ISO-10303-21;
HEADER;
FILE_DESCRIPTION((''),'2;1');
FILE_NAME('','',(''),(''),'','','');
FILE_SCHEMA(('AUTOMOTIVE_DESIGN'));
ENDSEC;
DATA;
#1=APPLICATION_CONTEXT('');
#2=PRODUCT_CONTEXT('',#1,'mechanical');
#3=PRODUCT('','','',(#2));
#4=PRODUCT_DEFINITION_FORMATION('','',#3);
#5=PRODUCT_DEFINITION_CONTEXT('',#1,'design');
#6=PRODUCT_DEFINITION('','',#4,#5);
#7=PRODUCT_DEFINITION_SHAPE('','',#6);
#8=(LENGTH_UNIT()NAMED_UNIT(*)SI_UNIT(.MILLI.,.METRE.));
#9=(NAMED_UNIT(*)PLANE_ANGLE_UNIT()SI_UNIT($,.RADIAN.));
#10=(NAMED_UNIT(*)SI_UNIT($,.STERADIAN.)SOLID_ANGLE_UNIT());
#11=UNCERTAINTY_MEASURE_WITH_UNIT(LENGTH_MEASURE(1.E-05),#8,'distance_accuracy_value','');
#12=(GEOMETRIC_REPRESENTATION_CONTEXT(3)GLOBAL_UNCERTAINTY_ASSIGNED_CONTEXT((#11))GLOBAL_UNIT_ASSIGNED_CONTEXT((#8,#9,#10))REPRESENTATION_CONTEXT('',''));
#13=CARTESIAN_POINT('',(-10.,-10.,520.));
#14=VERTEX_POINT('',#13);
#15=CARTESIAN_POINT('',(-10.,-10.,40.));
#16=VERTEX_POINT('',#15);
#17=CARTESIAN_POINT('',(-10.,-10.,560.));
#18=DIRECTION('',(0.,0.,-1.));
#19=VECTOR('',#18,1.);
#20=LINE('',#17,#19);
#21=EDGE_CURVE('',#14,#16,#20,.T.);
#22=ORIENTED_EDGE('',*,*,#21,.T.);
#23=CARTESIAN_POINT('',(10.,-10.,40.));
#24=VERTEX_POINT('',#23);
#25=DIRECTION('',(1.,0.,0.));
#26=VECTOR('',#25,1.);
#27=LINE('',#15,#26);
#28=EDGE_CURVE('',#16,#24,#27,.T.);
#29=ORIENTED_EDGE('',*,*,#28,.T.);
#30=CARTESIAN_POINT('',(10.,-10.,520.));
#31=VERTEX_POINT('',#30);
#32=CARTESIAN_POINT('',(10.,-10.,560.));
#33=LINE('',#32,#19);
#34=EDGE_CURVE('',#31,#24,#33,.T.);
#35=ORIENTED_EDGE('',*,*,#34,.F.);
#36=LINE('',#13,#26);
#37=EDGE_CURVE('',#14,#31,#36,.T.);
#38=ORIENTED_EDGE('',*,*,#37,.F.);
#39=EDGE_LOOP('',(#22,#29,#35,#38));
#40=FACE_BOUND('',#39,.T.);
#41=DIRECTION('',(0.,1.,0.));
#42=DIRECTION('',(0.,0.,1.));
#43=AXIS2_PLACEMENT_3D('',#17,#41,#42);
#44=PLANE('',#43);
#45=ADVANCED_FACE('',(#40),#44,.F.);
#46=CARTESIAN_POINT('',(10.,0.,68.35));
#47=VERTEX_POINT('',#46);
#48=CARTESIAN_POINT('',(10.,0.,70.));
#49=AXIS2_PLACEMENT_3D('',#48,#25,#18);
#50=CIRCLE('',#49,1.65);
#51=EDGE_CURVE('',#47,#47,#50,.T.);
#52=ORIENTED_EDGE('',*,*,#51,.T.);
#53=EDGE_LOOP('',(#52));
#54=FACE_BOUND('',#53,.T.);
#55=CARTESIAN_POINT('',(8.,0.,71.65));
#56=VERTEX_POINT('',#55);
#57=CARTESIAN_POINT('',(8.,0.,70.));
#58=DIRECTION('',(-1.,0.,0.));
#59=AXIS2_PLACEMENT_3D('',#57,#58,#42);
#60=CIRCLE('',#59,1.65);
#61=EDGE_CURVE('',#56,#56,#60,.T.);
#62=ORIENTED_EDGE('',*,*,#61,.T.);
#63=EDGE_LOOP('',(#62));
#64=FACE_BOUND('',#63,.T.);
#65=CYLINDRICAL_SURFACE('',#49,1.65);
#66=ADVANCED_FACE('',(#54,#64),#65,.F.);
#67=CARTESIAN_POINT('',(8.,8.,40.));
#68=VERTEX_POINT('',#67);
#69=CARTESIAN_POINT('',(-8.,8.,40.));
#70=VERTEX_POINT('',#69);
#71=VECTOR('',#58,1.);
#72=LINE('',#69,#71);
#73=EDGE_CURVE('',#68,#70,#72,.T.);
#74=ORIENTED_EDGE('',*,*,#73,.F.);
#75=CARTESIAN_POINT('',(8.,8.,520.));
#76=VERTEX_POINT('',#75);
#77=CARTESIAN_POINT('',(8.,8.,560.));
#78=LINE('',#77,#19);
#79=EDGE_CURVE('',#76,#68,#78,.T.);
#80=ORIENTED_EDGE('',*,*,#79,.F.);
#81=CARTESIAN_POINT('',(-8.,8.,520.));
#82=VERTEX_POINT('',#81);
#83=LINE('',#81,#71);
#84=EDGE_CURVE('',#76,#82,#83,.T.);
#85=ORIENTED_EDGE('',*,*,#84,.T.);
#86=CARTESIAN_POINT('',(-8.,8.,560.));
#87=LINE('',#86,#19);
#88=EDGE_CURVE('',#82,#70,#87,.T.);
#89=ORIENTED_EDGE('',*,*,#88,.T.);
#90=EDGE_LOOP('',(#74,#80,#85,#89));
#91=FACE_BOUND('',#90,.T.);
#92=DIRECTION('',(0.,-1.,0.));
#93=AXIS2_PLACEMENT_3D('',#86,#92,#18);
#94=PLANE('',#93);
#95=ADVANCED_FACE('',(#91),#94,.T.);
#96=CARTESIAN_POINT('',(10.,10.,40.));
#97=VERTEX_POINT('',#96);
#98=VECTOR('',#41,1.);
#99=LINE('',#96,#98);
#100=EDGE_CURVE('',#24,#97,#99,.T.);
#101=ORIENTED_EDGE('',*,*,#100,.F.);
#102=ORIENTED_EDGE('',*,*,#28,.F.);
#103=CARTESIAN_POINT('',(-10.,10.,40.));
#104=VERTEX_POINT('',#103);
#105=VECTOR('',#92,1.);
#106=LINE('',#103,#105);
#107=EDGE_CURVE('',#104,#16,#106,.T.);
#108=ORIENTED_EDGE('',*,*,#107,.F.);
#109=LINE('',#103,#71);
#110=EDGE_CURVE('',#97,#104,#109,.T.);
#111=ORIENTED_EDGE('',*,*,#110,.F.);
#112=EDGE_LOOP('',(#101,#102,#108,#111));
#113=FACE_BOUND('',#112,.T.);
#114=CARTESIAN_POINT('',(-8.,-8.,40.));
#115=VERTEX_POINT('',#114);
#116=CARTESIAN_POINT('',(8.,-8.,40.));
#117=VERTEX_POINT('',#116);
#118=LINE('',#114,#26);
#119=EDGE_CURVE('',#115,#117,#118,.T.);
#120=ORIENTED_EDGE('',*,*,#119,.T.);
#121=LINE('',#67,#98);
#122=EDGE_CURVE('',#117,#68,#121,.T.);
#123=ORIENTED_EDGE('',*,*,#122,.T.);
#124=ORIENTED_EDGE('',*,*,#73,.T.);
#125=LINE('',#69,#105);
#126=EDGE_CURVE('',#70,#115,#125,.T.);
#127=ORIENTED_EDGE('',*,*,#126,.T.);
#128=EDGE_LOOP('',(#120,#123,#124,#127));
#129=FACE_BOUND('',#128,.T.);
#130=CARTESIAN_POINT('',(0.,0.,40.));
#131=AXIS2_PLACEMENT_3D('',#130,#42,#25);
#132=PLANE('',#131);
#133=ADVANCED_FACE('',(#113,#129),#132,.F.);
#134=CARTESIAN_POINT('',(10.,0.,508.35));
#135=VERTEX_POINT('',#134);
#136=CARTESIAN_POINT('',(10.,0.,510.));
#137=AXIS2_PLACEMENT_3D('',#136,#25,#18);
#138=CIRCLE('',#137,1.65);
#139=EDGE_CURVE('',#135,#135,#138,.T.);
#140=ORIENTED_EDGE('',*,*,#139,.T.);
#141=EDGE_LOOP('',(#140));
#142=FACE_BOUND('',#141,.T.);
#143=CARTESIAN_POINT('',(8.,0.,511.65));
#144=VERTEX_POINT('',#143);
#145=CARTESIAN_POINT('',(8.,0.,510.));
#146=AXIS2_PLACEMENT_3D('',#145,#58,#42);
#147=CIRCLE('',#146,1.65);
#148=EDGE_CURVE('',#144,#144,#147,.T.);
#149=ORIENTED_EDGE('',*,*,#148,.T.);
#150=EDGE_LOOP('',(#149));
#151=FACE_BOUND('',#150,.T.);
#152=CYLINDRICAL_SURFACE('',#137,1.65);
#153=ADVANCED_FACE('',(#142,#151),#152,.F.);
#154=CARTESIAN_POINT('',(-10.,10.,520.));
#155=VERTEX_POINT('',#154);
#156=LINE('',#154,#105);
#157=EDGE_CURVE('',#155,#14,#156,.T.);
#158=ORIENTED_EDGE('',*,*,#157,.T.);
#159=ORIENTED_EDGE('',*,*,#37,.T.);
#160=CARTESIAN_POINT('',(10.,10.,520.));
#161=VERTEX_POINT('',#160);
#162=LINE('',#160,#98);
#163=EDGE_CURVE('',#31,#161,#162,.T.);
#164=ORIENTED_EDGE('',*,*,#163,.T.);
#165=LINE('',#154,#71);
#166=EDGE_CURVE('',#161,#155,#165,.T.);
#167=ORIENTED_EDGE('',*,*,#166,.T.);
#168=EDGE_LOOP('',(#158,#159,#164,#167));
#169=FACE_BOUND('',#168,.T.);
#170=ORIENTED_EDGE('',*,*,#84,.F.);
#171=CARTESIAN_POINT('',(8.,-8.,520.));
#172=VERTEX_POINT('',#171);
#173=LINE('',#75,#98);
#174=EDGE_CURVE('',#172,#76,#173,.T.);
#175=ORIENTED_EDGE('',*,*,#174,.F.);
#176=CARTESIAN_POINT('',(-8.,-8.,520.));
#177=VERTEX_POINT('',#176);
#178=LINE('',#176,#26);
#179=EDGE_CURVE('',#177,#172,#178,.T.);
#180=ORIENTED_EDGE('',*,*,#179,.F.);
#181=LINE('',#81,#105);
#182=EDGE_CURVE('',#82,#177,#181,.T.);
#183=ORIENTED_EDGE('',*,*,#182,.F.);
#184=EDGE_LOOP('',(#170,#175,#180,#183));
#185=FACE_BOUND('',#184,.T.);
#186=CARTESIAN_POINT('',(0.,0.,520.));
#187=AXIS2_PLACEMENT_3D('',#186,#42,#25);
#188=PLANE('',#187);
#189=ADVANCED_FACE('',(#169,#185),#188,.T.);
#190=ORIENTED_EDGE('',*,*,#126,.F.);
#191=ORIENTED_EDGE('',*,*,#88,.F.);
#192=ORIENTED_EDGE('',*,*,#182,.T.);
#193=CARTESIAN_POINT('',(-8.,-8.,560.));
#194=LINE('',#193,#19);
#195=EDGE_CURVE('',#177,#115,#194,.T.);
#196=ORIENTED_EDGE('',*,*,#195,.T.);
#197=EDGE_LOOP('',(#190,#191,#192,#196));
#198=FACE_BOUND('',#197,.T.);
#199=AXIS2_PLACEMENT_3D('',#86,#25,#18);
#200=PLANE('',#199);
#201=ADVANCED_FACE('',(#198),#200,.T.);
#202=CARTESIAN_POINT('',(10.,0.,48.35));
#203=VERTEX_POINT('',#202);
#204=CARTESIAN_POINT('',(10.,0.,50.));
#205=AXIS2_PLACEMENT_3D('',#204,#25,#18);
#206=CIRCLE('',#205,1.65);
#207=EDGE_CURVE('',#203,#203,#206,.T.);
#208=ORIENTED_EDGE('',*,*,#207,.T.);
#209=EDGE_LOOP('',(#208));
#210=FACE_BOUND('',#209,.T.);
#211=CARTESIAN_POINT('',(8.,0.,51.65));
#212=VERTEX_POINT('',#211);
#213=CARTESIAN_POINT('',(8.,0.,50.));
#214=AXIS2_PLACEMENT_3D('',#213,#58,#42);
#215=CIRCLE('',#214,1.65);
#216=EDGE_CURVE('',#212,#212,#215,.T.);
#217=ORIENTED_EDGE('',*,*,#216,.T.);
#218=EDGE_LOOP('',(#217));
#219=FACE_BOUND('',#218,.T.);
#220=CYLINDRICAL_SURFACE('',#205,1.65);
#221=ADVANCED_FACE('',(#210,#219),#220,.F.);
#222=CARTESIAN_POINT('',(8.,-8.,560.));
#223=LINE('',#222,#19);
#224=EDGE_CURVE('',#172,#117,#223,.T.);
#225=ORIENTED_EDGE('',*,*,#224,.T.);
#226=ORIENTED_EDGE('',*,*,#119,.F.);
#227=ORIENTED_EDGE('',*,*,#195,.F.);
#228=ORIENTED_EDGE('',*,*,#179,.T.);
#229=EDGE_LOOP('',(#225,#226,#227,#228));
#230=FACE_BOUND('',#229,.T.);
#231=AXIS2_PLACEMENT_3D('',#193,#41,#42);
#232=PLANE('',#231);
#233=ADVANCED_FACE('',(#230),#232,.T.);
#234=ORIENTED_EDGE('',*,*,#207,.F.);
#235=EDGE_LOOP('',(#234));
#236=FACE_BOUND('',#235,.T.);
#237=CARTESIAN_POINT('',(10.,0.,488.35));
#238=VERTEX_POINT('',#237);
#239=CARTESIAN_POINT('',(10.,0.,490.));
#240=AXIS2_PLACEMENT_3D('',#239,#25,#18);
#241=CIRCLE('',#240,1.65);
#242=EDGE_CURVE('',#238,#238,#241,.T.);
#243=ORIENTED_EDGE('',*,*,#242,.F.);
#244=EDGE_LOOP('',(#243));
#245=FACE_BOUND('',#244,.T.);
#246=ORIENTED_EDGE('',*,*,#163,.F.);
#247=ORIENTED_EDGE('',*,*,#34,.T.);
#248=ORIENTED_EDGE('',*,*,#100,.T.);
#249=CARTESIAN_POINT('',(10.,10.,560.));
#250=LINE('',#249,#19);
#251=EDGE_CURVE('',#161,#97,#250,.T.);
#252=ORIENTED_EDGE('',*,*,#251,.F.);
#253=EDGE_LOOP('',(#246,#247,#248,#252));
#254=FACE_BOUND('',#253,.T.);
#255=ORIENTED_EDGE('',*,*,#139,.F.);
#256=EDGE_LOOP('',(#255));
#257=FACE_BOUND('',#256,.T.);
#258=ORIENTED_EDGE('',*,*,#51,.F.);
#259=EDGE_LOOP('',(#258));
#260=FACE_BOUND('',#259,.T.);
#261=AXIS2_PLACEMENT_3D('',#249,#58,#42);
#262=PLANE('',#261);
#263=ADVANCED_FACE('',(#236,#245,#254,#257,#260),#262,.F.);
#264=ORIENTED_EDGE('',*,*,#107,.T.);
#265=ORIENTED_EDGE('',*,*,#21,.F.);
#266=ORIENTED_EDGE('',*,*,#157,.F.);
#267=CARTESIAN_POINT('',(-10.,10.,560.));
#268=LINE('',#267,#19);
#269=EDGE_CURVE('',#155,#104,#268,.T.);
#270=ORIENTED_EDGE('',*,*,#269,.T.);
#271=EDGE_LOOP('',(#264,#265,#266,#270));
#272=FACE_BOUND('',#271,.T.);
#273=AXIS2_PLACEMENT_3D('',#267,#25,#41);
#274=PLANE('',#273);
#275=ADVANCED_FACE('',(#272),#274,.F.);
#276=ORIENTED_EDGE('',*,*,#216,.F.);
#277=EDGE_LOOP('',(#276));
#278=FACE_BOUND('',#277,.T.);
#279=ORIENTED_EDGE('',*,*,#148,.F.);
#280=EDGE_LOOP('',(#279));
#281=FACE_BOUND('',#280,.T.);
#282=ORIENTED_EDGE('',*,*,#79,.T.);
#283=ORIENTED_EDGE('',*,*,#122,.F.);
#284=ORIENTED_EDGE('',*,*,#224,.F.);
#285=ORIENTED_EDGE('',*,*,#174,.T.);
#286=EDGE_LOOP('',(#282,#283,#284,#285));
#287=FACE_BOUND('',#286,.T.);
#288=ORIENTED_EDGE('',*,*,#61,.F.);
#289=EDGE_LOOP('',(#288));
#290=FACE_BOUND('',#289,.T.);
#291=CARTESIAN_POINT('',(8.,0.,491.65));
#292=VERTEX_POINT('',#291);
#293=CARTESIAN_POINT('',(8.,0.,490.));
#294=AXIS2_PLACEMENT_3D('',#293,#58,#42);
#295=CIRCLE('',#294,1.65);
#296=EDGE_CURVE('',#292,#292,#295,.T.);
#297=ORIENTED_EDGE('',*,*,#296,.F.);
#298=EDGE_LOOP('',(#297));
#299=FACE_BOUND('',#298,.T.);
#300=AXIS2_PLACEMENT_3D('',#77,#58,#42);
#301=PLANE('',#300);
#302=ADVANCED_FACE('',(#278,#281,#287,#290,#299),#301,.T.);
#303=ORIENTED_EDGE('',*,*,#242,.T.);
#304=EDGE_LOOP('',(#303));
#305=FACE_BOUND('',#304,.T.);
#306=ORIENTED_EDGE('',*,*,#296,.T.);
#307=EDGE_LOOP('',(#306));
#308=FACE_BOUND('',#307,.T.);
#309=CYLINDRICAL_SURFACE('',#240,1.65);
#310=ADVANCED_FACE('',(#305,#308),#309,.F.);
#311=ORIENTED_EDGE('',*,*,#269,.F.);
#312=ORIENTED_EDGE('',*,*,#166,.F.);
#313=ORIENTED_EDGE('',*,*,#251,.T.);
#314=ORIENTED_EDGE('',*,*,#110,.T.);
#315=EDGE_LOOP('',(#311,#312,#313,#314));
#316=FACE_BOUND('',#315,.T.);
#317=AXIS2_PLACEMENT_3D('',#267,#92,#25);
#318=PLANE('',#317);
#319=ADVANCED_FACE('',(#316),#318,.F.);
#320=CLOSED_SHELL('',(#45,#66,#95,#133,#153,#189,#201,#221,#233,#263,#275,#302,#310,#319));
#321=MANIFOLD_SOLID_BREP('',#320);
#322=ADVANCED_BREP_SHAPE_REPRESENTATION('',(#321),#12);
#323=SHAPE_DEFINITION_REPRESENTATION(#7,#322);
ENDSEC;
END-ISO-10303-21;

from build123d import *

# Parameters (mm, degrees)
SKETCH_1_W          = 20
SKETCH_1_H          = 20
SKETCH_1_W_2        = 16
SKETCH_1_H_2        = 16
EXTRUDE_1_DEPTH     = 560
SKETCH_3_R          = 2.2
CUT_EXTRUDE_2_DEPTH = 560
SKETCH_4_R          = 2.2
CUT_EXTRUDE_3_DEPTH = 560
SKETCH_5_W          = 35.553041162
SKETCH_5_H          = 54.410354854
CUT_EXTRUDE_4_DEPTH = 40
SKETCH_6_W          = 32.938502486
SKETCH_6_H          = 36.721798984
CUT_EXTRUDE_5_DEPTH = 40
SKETCH_8_R          = 1
CUT_EXTRUDE_7_DEPTH = 10
M4X0_7_1_D          = 3.3
M4X0_7_1_DEPTH      = 11.5
M4X0_7_1_TIP        = 0.991420021


with BuildPart() as part:
    # ｽｹｯﾁ1 → ﾎﾞｽ - 押し出し1 (new body)
    with BuildSketch(Plane.XY):
        Rectangle(SKETCH_1_W, SKETCH_1_H)
        Rectangle(SKETCH_1_W_2, SKETCH_1_H_2, mode=Mode.SUBTRACT)
    extrude(amount=EXTRUDE_1_DEPTH)

    # ｽｹｯﾁ3 → ｶｯﾄ - 押し出し2 (cut)
    with BuildSketch(Plane(origin=(10, 0, 0), x_dir=(0, 0, -1), z_dir=(1, 0, 0))):
        with Locations((-530, 0)):
            Circle(SKETCH_3_R)
        with Locations((-30, 0)):
            Circle(SKETCH_3_R)
    extrude(amount=-CUT_EXTRUDE_2_DEPTH, mode=Mode.SUBTRACT)

    # ｽｹｯﾁ4 → ｶｯﾄ - 押し出し3 (cut)
    with BuildSketch(Plane(origin=(0, 10, 0), x_dir=(1, 0, 0), z_dir=(0, 1, 0))):
        with Locations((0, -550)):
            Circle(SKETCH_4_R)
        with Locations((0, -10)):
            Circle(SKETCH_4_R)
    extrude(amount=-CUT_EXTRUDE_3_DEPTH, mode=Mode.SUBTRACT)

    # ｽｹｯﾁ5 → ｶｯﾄ - 押し出し4 (cut)
    with BuildSketch(Plane(origin=(0, 0, 0), x_dir=(-1, 0, 0), z_dir=(0, 0, -1))):
        Rectangle(SKETCH_5_W, SKETCH_5_H)
    extrude(amount=-CUT_EXTRUDE_4_DEPTH, mode=Mode.SUBTRACT)

    # ｽｹｯﾁ6 → ｶｯﾄ - 押し出し5 (cut)
    with BuildSketch(Plane.XY.offset(560)):
        Rectangle(SKETCH_6_W, SKETCH_6_H)
    extrude(amount=-CUT_EXTRUDE_5_DEPTH, mode=Mode.SUBTRACT)

    # ｽｹｯﾁ8 → ｶｯﾄ - 押し出し7 (cut)
    with BuildSketch(Plane(origin=(10, 0, 0), x_dir=(0, 0, -1), z_dir=(1, 0, 0))):
        with Locations((-50, 0)):
            Circle(SKETCH_8_R)
        with Locations((-70, 0)):
            Circle(SKETCH_8_R)
        with Locations((-490, 0)):
            Circle(SKETCH_8_R)
        with Locations((-510, 0)):
            Circle(SKETCH_8_R)
    extrude(amount=-CUT_EXTRUDE_7_DEPTH, mode=Mode.SUBTRACT)

    # M4x0.7 ねじ穴1
    with Locations(Plane(origin=(10, 0, 50), x_dir=(0, 0, 1), z_dir=(1, 0, 0))):
        with Locations((0, 0), (20, 0), (440, 0), (460, 0)):
            Hole(M4X0_7_1_D / 2, depth=M4X0_7_1_DEPTH)
            with Locations((0, 0, -(M4X0_7_1_DEPTH + M4X0_7_1_TIP / 2))):  # 118° drill point
                Cone(0, M4X0_7_1_D / 2, M4X0_7_1_TIP, mode=Mode.SUBTRACT)


solid = part.part
